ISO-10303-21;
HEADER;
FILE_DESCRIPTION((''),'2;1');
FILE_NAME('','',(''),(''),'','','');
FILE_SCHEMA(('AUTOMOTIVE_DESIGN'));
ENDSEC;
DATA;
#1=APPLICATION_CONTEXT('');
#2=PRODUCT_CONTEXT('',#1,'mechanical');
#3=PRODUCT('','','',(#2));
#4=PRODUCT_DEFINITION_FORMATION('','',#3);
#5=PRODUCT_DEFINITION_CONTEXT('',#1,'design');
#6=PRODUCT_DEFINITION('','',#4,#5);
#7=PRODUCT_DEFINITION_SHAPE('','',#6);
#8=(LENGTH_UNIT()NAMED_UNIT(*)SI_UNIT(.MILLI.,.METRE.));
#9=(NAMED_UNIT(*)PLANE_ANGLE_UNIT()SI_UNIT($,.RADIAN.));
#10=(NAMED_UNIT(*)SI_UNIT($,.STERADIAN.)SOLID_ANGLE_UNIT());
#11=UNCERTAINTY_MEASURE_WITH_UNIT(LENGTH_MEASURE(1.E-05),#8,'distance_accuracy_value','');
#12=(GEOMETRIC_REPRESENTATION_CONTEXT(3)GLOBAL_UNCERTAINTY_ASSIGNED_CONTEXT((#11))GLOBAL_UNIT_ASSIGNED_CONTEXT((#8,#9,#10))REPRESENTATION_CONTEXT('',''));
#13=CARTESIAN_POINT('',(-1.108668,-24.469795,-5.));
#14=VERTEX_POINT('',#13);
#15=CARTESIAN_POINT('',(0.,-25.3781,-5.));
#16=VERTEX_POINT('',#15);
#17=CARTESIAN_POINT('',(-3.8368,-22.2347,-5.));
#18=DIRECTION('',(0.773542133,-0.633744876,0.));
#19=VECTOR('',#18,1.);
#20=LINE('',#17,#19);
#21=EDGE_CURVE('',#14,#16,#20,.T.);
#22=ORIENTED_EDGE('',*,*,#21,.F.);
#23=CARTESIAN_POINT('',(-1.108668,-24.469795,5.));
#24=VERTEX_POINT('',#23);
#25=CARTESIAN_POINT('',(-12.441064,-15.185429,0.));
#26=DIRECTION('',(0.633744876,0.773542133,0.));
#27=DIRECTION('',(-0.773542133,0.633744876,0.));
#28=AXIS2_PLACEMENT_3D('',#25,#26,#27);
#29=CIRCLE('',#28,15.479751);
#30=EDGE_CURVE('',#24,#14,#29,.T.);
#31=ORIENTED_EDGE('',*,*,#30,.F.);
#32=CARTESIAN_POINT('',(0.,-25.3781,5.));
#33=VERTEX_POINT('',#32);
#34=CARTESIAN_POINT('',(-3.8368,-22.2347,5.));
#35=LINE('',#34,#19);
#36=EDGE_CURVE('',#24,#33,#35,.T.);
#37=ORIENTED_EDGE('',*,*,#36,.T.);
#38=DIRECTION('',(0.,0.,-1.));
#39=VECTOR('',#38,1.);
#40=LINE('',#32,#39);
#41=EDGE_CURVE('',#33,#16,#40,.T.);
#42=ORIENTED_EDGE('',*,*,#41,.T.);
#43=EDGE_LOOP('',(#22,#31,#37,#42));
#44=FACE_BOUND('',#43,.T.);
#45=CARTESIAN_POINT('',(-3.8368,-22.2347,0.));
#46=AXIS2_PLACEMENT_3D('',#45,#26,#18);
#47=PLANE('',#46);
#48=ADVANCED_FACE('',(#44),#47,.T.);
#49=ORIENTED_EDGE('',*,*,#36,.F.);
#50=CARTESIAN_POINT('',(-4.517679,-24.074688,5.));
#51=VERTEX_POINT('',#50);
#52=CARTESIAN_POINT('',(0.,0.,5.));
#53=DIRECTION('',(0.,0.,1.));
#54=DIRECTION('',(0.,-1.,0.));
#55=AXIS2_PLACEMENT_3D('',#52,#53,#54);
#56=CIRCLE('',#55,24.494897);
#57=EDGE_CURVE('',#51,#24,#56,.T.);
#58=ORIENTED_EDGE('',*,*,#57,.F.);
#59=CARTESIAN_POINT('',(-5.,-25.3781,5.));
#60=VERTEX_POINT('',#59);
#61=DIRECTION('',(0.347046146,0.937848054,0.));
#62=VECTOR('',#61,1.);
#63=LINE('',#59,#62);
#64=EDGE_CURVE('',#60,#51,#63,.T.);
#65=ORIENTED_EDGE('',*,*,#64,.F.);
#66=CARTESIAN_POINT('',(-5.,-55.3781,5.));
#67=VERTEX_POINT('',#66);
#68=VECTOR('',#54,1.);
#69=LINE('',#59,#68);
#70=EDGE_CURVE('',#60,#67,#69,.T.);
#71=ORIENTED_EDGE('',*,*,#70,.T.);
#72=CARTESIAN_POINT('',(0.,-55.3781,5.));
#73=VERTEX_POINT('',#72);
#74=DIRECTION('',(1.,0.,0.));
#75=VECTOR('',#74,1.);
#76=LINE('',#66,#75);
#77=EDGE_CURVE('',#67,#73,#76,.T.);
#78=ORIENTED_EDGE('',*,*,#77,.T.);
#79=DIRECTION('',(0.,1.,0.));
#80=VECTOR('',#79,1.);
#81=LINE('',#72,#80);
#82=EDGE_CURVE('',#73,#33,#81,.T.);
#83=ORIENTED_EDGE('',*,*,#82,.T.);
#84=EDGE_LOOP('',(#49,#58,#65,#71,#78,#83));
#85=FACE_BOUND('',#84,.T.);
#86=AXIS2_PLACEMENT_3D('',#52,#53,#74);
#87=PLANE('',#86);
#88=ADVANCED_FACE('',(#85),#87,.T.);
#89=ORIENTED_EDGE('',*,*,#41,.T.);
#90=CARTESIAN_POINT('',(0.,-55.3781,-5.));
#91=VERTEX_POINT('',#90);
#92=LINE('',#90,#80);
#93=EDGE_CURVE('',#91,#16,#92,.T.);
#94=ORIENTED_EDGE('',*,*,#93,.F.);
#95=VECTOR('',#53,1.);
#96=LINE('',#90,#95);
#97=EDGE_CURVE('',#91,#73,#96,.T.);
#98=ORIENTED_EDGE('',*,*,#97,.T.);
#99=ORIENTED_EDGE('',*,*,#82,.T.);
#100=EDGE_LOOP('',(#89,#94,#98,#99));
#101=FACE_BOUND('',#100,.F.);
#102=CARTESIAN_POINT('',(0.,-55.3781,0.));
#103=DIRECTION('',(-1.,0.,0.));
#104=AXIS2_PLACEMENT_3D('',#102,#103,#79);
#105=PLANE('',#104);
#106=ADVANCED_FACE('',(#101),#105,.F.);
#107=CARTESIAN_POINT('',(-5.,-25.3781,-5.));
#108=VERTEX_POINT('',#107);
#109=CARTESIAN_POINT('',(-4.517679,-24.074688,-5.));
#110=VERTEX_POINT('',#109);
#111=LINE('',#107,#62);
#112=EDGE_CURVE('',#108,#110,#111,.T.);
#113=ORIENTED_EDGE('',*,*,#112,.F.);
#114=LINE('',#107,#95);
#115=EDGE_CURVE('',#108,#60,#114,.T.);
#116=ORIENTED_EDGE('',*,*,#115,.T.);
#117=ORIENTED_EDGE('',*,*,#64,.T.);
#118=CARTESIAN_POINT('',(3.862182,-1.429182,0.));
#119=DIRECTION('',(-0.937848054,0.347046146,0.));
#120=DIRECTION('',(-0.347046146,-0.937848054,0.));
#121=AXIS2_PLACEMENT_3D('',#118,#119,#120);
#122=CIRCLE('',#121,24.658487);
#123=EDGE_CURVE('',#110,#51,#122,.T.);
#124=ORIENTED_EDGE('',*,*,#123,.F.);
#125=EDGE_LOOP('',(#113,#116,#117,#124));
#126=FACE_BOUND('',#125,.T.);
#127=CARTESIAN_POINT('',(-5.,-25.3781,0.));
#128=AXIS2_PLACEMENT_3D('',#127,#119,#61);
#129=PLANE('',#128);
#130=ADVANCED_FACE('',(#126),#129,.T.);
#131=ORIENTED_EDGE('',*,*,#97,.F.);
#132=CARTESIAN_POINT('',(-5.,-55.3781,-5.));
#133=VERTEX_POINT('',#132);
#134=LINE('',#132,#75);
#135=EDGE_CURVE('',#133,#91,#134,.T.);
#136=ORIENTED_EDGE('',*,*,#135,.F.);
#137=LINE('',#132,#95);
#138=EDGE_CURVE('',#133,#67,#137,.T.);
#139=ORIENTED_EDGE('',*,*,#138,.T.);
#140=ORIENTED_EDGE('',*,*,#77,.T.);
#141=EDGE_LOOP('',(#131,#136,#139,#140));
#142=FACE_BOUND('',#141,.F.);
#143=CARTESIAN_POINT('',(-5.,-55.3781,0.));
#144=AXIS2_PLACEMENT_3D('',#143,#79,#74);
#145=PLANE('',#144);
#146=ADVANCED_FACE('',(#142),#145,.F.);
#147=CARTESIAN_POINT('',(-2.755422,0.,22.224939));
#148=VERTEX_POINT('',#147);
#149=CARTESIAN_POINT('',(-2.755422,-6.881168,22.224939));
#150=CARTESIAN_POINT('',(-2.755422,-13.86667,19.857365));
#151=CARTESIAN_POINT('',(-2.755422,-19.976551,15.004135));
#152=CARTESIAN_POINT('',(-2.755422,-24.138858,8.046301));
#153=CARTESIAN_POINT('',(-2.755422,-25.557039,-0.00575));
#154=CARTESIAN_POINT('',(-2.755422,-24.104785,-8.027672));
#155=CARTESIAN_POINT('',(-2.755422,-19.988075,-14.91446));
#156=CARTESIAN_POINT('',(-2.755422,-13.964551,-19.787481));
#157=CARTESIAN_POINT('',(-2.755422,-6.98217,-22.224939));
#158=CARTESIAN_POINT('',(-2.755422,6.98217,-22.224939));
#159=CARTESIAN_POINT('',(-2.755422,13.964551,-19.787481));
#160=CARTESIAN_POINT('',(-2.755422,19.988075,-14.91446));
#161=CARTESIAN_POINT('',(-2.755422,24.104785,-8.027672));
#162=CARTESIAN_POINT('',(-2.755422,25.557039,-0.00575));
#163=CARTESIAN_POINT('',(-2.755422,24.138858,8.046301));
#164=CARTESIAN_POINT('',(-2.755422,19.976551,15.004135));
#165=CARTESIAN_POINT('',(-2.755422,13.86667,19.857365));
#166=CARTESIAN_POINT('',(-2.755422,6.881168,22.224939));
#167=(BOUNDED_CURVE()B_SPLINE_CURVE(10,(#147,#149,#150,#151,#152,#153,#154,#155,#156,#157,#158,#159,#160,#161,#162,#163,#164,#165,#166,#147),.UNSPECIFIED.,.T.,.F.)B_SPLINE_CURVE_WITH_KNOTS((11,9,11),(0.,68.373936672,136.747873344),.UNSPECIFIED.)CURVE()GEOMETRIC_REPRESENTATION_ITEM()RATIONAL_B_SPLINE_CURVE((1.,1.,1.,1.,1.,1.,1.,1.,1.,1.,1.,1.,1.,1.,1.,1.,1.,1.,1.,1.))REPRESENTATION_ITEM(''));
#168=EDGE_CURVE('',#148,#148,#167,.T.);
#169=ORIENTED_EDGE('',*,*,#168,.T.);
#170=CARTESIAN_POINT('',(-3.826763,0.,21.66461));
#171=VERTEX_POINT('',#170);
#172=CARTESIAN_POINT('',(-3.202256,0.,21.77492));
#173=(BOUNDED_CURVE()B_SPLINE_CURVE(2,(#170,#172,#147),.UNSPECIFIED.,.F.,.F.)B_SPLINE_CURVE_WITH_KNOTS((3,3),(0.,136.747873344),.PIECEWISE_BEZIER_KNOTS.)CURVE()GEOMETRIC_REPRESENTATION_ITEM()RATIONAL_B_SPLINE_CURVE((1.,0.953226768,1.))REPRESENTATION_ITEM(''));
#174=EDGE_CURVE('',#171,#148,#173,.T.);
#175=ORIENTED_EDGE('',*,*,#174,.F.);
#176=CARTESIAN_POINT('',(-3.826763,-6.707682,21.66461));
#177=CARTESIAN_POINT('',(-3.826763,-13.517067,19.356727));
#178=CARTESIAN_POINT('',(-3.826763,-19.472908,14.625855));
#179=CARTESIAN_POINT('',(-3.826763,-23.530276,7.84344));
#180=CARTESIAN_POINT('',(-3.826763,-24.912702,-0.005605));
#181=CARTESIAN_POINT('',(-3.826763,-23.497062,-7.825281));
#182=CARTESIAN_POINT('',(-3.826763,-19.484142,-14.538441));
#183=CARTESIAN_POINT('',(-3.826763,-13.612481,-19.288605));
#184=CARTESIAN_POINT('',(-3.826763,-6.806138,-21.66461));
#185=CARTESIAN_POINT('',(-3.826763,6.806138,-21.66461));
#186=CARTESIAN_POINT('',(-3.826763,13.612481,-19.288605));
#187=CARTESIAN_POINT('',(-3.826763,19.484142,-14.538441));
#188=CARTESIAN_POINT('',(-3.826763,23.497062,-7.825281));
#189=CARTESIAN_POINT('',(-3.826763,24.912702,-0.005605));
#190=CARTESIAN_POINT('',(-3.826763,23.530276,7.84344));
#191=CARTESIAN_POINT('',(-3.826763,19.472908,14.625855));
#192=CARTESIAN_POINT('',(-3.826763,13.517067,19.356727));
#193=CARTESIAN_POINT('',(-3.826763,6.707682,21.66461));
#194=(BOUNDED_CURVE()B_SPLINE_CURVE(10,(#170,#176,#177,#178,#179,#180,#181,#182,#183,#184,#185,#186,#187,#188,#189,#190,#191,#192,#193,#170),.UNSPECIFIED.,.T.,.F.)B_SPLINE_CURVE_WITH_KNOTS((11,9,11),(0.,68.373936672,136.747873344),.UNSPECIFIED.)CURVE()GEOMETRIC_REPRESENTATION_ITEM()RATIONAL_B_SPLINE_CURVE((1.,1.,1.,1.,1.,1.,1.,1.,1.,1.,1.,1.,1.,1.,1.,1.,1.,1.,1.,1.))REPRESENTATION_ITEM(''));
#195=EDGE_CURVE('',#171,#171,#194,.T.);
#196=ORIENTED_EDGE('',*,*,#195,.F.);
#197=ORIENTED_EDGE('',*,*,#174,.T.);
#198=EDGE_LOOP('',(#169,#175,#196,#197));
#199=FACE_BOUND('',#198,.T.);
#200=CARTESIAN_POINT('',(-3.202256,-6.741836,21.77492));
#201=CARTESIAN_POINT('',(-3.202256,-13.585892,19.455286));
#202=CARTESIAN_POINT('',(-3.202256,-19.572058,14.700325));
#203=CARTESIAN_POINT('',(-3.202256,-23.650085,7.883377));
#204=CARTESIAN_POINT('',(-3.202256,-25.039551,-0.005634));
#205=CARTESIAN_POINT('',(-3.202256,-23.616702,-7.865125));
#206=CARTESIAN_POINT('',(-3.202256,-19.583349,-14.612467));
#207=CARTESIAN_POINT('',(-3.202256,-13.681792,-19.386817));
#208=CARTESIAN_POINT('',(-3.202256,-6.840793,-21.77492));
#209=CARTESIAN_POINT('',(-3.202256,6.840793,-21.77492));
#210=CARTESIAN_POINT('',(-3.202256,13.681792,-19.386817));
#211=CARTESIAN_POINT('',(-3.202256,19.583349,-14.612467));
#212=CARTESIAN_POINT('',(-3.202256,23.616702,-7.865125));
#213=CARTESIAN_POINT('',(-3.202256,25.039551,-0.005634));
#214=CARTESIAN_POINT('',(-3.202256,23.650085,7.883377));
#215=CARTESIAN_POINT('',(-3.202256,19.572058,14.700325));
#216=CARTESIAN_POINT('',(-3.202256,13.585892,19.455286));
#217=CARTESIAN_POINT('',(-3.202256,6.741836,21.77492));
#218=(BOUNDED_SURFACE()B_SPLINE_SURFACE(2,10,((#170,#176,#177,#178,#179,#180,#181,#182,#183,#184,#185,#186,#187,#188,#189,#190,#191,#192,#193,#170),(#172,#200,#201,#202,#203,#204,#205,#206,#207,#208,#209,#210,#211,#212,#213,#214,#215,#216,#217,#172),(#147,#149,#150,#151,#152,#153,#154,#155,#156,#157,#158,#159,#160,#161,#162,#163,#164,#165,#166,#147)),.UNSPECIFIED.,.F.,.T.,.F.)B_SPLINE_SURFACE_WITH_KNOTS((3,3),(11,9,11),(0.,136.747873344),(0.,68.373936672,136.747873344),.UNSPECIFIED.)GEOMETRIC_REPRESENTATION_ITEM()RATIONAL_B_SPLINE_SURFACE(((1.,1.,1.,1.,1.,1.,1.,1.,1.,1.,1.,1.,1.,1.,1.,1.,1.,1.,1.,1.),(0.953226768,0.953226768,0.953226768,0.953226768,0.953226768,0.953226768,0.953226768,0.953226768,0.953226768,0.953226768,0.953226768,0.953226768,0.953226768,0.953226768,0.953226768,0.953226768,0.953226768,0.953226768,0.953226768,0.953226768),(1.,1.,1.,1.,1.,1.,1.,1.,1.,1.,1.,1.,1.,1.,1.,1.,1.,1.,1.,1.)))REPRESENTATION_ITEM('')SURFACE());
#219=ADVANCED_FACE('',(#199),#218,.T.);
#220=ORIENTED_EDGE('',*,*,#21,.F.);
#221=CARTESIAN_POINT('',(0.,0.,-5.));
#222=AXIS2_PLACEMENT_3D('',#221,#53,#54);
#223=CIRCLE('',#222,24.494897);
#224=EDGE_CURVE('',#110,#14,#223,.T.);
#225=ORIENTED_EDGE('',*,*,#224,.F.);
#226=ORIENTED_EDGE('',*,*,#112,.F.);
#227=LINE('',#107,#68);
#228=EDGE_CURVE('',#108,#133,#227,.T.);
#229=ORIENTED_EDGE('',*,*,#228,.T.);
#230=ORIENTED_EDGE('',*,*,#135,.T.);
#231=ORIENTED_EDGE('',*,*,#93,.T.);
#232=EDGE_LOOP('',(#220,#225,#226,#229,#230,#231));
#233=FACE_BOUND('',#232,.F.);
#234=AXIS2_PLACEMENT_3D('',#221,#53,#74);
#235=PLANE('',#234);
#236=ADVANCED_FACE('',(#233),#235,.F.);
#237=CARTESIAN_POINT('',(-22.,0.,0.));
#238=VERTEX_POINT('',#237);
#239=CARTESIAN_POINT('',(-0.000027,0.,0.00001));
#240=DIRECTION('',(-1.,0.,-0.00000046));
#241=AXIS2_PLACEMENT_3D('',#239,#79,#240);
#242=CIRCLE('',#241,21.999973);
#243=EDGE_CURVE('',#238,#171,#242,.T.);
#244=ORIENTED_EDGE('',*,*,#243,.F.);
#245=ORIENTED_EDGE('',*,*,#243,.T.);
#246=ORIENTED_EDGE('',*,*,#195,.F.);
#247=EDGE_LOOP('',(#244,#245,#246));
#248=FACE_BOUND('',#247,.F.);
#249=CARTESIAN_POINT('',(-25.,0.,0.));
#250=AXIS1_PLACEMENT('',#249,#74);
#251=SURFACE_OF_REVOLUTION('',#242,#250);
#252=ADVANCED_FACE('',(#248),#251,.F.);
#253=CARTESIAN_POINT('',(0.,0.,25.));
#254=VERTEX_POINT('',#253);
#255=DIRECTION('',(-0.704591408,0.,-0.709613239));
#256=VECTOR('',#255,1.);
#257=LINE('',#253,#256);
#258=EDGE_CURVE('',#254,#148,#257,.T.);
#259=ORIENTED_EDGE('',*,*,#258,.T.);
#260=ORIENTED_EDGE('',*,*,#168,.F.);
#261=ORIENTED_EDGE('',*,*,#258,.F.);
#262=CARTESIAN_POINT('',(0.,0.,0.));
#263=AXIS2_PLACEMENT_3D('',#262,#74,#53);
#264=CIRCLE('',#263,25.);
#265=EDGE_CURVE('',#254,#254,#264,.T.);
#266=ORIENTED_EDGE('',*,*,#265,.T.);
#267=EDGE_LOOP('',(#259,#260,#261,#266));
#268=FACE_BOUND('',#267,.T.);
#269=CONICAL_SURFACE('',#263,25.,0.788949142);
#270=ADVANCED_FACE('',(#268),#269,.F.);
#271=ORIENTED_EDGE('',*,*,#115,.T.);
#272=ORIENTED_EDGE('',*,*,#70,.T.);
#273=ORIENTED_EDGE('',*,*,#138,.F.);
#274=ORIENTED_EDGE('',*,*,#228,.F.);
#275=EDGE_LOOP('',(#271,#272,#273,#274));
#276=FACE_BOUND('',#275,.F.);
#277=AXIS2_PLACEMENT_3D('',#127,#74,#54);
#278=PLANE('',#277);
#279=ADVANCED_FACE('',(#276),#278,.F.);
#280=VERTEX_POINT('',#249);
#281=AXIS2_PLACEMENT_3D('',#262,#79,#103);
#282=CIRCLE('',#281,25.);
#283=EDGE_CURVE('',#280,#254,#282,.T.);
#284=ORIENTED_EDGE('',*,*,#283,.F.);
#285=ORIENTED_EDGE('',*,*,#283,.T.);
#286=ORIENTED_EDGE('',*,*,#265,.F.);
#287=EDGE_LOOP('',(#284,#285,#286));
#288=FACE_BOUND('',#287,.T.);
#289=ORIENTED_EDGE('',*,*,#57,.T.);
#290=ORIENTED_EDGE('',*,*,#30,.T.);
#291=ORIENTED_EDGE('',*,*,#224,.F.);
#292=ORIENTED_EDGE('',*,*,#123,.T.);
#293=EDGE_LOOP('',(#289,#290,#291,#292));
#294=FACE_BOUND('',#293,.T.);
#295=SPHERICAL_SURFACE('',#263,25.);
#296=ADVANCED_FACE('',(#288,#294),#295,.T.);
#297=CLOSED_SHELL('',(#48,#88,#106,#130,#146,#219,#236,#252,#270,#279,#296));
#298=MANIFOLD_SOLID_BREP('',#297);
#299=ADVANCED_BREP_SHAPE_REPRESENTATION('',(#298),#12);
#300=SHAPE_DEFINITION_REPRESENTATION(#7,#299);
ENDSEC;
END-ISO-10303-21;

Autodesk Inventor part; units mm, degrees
ref_plane "YZ Plane" through (0, 0, 0) normal (1, 0, 0) x (0, 1, 0)
ref_plane "XZ Plane" through (0, 0, 0) normal (0, 1, 0) x (-1, 0, 0)
ref_plane "XY Plane" through (0, 0, 0) normal (0, 0, 1) x (1, 0, 0)
sketch "スケッチ1" plane through (0, 0, 0) normal (0, 1, 0) x (-1, 0, 0)
  arc A0 (25, 0) -> (0, 25) centre (0, 0) ccw
  line L0 (0, 25) -> (3.213, 21.7641)
  arc A1 (22, 0) -> (3.213, 21.7641) centre (0, 0) ccw
  line L1 (25, 0) -> (22, 0)
  point P0 (0, 0)
  dimension "d0" = 25
  dimension "d1" = 25
  dimension "d2" = 25
  dimension "d4" = 22
revolve "回転1" add sketch "スケッチ1" angle 360 about axis through (-25, 0, 0) along (1, 0, 0)
fillet "フィレット1" radius 2 1 edges at (-3.213, 0, -21.7641)
sketch "スケッチ2" plane through (0, 0, 0) normal (0, 0, 1) x (1, 0, 0)
  line L0 (-5, -25.3781) -> (-5, -55.3781)
  line L1 (-5, -55.3781) -> (0, -55.3781)
  line L2 (0, -55.3781) -> (0, -25.3781)
  line L3 (-5, -25.3781) -> (-3.8368, -22.2347)
  line L4 (-3.8368, -22.2347) -> (0, -25.3781)
  point P0 (0, 0)
  dimension "d7" = 5
  dimension "d8" = 30
extrude "押し出し1" add sketch "スケッチ2" along normal mid plane 10
properties part number "tomato2016"
